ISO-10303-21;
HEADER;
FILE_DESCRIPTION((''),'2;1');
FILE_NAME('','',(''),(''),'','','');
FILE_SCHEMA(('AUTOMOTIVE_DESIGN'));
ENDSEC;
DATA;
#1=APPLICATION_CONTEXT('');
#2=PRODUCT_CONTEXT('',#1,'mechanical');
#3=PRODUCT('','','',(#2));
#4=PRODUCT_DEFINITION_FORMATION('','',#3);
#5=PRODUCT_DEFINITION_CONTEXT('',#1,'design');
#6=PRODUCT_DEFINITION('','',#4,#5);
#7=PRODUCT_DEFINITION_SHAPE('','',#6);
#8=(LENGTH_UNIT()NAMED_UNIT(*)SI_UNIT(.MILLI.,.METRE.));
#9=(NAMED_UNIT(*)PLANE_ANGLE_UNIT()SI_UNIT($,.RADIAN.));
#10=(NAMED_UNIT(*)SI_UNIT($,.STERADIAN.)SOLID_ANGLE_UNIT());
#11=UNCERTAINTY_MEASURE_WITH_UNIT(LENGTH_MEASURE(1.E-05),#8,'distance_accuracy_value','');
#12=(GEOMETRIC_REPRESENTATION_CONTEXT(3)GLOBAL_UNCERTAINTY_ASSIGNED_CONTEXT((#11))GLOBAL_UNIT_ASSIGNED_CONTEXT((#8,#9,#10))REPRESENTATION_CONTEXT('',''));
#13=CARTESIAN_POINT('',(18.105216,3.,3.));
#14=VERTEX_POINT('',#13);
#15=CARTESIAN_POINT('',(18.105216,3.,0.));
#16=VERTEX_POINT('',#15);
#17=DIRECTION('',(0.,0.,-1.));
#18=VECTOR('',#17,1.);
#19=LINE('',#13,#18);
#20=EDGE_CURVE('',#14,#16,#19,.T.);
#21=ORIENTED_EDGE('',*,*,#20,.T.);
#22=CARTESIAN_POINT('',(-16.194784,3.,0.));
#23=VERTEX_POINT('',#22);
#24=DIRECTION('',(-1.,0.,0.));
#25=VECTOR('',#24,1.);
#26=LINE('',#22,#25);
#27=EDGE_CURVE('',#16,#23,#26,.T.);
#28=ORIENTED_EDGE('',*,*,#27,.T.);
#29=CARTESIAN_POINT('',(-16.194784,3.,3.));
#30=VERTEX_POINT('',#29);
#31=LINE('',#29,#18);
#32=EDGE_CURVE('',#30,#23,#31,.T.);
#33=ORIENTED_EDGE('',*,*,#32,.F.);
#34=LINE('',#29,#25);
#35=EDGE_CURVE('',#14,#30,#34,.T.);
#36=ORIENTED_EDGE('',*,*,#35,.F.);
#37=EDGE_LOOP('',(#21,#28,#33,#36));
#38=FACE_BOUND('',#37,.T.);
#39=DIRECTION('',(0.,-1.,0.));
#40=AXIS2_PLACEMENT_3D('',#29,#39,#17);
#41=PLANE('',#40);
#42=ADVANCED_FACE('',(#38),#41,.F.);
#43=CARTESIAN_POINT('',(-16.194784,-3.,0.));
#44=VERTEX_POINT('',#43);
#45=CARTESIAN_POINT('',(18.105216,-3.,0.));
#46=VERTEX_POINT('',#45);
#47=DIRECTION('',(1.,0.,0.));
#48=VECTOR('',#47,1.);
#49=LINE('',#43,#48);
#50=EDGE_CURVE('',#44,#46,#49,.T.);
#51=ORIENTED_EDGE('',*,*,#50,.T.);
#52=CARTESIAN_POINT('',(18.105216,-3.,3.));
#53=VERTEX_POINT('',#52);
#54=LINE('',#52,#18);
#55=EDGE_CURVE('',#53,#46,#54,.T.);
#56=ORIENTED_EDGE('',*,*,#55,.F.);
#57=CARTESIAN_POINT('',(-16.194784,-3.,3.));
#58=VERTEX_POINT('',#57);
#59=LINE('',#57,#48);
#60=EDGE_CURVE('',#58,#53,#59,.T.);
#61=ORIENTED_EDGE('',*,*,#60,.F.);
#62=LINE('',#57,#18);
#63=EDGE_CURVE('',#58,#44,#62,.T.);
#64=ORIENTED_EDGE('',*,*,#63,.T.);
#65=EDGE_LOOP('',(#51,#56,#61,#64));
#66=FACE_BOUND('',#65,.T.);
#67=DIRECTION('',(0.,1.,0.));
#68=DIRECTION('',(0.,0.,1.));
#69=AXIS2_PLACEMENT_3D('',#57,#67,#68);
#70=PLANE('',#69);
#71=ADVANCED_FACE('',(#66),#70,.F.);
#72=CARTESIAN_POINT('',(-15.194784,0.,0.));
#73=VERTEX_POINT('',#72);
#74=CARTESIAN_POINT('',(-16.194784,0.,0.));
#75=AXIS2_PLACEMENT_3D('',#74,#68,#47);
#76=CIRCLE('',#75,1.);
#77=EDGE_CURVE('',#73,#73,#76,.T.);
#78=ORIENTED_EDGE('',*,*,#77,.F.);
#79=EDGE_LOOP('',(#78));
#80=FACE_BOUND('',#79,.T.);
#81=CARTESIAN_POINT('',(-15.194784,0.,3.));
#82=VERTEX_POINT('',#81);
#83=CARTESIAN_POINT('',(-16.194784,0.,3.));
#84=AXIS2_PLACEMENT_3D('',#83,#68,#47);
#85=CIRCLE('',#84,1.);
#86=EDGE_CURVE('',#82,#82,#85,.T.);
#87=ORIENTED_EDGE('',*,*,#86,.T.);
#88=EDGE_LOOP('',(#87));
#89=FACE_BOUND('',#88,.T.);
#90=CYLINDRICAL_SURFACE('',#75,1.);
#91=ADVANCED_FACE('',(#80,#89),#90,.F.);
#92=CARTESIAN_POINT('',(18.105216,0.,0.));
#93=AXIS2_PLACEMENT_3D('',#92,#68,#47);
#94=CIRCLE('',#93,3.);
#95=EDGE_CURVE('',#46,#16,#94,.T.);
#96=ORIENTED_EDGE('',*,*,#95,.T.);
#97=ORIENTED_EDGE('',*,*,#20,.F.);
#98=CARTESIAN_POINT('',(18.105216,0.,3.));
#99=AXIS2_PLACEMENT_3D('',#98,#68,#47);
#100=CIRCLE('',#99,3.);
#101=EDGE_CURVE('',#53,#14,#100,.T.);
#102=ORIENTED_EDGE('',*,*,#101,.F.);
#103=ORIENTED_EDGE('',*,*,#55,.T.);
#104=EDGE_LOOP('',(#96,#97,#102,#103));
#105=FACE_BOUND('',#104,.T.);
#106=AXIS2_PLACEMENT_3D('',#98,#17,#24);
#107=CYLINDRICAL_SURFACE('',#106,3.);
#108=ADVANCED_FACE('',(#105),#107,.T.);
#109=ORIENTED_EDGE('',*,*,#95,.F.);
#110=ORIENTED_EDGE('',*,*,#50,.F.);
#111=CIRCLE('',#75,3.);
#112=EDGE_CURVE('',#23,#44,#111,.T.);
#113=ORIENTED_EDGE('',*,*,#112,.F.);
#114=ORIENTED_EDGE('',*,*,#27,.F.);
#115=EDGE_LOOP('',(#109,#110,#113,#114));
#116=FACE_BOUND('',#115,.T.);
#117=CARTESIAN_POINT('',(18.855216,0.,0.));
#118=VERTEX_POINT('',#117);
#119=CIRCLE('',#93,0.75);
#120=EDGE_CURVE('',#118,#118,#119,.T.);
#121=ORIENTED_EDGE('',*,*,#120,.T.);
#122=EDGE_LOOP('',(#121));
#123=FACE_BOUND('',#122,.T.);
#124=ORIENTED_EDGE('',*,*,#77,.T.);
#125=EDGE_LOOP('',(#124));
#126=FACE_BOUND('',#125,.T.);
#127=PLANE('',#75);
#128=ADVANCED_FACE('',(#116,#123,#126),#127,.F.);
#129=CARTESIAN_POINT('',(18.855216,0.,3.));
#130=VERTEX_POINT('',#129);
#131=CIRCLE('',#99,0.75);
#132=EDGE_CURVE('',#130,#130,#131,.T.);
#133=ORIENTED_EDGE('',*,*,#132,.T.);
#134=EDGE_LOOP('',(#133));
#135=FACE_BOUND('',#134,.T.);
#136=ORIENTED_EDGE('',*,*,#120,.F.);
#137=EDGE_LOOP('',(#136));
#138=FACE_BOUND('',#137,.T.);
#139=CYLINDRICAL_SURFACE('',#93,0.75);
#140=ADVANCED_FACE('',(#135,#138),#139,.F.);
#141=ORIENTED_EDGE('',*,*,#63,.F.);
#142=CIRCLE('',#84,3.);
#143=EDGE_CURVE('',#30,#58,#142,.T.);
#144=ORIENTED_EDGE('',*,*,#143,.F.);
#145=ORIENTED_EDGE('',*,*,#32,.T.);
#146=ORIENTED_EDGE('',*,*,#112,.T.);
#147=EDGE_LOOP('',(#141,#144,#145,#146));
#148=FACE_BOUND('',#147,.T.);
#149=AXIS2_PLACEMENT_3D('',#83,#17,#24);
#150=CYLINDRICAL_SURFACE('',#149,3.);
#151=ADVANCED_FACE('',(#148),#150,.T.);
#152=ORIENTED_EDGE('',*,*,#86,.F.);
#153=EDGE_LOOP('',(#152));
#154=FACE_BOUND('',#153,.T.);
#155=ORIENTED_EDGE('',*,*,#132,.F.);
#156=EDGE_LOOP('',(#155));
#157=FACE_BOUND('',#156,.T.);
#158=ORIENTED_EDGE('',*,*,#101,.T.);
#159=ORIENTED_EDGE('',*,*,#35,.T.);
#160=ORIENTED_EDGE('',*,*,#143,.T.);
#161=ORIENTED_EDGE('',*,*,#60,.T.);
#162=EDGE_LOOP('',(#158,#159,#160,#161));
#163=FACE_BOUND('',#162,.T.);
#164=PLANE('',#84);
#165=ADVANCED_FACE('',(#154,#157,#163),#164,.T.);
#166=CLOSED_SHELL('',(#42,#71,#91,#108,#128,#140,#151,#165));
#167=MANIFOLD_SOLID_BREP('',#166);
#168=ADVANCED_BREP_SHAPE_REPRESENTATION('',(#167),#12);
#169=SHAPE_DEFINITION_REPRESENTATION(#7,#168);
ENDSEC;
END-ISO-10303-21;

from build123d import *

# Parameters (mm, degrees)
BOSS_EXTRUDE1_DEPTH = 3
SKETCH2_R           = 0.75
SKETCH2_R_2         = 1
CUT_EXTRUDE1_DEPTH  = 22.52742759


with BuildPart() as part:
    # Sketch1 → Boss-Extrude1 (new body)
    with BuildSketch(Plane.XY):
        with BuildLine():
            Line((-16.194784089, 3), (18.105215911, 3))
            ThreePointArc((18.105215911, 3), (21.105215911, 0), (18.105215911, -3))
            Line((18.105215911, -3), (-16.194784089, -3))
            ThreePointArc((-16.194784089, -3), (-19.194784089, 0), (-16.194784089, 3))
        make_face()
    extrude(amount=BOSS_EXTRUDE1_DEPTH)

    # Sketch2 → Cut-Extrude1 (cut, through all)
    with BuildSketch(Plane.XY.offset(3)):
        with Locations((18.105215911, 0)):
            Circle(SKETCH2_R)
        with Locations((-16.194784089, 0)):
            Circle(SKETCH2_R_2)
    extrude(amount=-CUT_EXTRUDE1_DEPTH, mode=Mode.SUBTRACT)


solid = part.part
